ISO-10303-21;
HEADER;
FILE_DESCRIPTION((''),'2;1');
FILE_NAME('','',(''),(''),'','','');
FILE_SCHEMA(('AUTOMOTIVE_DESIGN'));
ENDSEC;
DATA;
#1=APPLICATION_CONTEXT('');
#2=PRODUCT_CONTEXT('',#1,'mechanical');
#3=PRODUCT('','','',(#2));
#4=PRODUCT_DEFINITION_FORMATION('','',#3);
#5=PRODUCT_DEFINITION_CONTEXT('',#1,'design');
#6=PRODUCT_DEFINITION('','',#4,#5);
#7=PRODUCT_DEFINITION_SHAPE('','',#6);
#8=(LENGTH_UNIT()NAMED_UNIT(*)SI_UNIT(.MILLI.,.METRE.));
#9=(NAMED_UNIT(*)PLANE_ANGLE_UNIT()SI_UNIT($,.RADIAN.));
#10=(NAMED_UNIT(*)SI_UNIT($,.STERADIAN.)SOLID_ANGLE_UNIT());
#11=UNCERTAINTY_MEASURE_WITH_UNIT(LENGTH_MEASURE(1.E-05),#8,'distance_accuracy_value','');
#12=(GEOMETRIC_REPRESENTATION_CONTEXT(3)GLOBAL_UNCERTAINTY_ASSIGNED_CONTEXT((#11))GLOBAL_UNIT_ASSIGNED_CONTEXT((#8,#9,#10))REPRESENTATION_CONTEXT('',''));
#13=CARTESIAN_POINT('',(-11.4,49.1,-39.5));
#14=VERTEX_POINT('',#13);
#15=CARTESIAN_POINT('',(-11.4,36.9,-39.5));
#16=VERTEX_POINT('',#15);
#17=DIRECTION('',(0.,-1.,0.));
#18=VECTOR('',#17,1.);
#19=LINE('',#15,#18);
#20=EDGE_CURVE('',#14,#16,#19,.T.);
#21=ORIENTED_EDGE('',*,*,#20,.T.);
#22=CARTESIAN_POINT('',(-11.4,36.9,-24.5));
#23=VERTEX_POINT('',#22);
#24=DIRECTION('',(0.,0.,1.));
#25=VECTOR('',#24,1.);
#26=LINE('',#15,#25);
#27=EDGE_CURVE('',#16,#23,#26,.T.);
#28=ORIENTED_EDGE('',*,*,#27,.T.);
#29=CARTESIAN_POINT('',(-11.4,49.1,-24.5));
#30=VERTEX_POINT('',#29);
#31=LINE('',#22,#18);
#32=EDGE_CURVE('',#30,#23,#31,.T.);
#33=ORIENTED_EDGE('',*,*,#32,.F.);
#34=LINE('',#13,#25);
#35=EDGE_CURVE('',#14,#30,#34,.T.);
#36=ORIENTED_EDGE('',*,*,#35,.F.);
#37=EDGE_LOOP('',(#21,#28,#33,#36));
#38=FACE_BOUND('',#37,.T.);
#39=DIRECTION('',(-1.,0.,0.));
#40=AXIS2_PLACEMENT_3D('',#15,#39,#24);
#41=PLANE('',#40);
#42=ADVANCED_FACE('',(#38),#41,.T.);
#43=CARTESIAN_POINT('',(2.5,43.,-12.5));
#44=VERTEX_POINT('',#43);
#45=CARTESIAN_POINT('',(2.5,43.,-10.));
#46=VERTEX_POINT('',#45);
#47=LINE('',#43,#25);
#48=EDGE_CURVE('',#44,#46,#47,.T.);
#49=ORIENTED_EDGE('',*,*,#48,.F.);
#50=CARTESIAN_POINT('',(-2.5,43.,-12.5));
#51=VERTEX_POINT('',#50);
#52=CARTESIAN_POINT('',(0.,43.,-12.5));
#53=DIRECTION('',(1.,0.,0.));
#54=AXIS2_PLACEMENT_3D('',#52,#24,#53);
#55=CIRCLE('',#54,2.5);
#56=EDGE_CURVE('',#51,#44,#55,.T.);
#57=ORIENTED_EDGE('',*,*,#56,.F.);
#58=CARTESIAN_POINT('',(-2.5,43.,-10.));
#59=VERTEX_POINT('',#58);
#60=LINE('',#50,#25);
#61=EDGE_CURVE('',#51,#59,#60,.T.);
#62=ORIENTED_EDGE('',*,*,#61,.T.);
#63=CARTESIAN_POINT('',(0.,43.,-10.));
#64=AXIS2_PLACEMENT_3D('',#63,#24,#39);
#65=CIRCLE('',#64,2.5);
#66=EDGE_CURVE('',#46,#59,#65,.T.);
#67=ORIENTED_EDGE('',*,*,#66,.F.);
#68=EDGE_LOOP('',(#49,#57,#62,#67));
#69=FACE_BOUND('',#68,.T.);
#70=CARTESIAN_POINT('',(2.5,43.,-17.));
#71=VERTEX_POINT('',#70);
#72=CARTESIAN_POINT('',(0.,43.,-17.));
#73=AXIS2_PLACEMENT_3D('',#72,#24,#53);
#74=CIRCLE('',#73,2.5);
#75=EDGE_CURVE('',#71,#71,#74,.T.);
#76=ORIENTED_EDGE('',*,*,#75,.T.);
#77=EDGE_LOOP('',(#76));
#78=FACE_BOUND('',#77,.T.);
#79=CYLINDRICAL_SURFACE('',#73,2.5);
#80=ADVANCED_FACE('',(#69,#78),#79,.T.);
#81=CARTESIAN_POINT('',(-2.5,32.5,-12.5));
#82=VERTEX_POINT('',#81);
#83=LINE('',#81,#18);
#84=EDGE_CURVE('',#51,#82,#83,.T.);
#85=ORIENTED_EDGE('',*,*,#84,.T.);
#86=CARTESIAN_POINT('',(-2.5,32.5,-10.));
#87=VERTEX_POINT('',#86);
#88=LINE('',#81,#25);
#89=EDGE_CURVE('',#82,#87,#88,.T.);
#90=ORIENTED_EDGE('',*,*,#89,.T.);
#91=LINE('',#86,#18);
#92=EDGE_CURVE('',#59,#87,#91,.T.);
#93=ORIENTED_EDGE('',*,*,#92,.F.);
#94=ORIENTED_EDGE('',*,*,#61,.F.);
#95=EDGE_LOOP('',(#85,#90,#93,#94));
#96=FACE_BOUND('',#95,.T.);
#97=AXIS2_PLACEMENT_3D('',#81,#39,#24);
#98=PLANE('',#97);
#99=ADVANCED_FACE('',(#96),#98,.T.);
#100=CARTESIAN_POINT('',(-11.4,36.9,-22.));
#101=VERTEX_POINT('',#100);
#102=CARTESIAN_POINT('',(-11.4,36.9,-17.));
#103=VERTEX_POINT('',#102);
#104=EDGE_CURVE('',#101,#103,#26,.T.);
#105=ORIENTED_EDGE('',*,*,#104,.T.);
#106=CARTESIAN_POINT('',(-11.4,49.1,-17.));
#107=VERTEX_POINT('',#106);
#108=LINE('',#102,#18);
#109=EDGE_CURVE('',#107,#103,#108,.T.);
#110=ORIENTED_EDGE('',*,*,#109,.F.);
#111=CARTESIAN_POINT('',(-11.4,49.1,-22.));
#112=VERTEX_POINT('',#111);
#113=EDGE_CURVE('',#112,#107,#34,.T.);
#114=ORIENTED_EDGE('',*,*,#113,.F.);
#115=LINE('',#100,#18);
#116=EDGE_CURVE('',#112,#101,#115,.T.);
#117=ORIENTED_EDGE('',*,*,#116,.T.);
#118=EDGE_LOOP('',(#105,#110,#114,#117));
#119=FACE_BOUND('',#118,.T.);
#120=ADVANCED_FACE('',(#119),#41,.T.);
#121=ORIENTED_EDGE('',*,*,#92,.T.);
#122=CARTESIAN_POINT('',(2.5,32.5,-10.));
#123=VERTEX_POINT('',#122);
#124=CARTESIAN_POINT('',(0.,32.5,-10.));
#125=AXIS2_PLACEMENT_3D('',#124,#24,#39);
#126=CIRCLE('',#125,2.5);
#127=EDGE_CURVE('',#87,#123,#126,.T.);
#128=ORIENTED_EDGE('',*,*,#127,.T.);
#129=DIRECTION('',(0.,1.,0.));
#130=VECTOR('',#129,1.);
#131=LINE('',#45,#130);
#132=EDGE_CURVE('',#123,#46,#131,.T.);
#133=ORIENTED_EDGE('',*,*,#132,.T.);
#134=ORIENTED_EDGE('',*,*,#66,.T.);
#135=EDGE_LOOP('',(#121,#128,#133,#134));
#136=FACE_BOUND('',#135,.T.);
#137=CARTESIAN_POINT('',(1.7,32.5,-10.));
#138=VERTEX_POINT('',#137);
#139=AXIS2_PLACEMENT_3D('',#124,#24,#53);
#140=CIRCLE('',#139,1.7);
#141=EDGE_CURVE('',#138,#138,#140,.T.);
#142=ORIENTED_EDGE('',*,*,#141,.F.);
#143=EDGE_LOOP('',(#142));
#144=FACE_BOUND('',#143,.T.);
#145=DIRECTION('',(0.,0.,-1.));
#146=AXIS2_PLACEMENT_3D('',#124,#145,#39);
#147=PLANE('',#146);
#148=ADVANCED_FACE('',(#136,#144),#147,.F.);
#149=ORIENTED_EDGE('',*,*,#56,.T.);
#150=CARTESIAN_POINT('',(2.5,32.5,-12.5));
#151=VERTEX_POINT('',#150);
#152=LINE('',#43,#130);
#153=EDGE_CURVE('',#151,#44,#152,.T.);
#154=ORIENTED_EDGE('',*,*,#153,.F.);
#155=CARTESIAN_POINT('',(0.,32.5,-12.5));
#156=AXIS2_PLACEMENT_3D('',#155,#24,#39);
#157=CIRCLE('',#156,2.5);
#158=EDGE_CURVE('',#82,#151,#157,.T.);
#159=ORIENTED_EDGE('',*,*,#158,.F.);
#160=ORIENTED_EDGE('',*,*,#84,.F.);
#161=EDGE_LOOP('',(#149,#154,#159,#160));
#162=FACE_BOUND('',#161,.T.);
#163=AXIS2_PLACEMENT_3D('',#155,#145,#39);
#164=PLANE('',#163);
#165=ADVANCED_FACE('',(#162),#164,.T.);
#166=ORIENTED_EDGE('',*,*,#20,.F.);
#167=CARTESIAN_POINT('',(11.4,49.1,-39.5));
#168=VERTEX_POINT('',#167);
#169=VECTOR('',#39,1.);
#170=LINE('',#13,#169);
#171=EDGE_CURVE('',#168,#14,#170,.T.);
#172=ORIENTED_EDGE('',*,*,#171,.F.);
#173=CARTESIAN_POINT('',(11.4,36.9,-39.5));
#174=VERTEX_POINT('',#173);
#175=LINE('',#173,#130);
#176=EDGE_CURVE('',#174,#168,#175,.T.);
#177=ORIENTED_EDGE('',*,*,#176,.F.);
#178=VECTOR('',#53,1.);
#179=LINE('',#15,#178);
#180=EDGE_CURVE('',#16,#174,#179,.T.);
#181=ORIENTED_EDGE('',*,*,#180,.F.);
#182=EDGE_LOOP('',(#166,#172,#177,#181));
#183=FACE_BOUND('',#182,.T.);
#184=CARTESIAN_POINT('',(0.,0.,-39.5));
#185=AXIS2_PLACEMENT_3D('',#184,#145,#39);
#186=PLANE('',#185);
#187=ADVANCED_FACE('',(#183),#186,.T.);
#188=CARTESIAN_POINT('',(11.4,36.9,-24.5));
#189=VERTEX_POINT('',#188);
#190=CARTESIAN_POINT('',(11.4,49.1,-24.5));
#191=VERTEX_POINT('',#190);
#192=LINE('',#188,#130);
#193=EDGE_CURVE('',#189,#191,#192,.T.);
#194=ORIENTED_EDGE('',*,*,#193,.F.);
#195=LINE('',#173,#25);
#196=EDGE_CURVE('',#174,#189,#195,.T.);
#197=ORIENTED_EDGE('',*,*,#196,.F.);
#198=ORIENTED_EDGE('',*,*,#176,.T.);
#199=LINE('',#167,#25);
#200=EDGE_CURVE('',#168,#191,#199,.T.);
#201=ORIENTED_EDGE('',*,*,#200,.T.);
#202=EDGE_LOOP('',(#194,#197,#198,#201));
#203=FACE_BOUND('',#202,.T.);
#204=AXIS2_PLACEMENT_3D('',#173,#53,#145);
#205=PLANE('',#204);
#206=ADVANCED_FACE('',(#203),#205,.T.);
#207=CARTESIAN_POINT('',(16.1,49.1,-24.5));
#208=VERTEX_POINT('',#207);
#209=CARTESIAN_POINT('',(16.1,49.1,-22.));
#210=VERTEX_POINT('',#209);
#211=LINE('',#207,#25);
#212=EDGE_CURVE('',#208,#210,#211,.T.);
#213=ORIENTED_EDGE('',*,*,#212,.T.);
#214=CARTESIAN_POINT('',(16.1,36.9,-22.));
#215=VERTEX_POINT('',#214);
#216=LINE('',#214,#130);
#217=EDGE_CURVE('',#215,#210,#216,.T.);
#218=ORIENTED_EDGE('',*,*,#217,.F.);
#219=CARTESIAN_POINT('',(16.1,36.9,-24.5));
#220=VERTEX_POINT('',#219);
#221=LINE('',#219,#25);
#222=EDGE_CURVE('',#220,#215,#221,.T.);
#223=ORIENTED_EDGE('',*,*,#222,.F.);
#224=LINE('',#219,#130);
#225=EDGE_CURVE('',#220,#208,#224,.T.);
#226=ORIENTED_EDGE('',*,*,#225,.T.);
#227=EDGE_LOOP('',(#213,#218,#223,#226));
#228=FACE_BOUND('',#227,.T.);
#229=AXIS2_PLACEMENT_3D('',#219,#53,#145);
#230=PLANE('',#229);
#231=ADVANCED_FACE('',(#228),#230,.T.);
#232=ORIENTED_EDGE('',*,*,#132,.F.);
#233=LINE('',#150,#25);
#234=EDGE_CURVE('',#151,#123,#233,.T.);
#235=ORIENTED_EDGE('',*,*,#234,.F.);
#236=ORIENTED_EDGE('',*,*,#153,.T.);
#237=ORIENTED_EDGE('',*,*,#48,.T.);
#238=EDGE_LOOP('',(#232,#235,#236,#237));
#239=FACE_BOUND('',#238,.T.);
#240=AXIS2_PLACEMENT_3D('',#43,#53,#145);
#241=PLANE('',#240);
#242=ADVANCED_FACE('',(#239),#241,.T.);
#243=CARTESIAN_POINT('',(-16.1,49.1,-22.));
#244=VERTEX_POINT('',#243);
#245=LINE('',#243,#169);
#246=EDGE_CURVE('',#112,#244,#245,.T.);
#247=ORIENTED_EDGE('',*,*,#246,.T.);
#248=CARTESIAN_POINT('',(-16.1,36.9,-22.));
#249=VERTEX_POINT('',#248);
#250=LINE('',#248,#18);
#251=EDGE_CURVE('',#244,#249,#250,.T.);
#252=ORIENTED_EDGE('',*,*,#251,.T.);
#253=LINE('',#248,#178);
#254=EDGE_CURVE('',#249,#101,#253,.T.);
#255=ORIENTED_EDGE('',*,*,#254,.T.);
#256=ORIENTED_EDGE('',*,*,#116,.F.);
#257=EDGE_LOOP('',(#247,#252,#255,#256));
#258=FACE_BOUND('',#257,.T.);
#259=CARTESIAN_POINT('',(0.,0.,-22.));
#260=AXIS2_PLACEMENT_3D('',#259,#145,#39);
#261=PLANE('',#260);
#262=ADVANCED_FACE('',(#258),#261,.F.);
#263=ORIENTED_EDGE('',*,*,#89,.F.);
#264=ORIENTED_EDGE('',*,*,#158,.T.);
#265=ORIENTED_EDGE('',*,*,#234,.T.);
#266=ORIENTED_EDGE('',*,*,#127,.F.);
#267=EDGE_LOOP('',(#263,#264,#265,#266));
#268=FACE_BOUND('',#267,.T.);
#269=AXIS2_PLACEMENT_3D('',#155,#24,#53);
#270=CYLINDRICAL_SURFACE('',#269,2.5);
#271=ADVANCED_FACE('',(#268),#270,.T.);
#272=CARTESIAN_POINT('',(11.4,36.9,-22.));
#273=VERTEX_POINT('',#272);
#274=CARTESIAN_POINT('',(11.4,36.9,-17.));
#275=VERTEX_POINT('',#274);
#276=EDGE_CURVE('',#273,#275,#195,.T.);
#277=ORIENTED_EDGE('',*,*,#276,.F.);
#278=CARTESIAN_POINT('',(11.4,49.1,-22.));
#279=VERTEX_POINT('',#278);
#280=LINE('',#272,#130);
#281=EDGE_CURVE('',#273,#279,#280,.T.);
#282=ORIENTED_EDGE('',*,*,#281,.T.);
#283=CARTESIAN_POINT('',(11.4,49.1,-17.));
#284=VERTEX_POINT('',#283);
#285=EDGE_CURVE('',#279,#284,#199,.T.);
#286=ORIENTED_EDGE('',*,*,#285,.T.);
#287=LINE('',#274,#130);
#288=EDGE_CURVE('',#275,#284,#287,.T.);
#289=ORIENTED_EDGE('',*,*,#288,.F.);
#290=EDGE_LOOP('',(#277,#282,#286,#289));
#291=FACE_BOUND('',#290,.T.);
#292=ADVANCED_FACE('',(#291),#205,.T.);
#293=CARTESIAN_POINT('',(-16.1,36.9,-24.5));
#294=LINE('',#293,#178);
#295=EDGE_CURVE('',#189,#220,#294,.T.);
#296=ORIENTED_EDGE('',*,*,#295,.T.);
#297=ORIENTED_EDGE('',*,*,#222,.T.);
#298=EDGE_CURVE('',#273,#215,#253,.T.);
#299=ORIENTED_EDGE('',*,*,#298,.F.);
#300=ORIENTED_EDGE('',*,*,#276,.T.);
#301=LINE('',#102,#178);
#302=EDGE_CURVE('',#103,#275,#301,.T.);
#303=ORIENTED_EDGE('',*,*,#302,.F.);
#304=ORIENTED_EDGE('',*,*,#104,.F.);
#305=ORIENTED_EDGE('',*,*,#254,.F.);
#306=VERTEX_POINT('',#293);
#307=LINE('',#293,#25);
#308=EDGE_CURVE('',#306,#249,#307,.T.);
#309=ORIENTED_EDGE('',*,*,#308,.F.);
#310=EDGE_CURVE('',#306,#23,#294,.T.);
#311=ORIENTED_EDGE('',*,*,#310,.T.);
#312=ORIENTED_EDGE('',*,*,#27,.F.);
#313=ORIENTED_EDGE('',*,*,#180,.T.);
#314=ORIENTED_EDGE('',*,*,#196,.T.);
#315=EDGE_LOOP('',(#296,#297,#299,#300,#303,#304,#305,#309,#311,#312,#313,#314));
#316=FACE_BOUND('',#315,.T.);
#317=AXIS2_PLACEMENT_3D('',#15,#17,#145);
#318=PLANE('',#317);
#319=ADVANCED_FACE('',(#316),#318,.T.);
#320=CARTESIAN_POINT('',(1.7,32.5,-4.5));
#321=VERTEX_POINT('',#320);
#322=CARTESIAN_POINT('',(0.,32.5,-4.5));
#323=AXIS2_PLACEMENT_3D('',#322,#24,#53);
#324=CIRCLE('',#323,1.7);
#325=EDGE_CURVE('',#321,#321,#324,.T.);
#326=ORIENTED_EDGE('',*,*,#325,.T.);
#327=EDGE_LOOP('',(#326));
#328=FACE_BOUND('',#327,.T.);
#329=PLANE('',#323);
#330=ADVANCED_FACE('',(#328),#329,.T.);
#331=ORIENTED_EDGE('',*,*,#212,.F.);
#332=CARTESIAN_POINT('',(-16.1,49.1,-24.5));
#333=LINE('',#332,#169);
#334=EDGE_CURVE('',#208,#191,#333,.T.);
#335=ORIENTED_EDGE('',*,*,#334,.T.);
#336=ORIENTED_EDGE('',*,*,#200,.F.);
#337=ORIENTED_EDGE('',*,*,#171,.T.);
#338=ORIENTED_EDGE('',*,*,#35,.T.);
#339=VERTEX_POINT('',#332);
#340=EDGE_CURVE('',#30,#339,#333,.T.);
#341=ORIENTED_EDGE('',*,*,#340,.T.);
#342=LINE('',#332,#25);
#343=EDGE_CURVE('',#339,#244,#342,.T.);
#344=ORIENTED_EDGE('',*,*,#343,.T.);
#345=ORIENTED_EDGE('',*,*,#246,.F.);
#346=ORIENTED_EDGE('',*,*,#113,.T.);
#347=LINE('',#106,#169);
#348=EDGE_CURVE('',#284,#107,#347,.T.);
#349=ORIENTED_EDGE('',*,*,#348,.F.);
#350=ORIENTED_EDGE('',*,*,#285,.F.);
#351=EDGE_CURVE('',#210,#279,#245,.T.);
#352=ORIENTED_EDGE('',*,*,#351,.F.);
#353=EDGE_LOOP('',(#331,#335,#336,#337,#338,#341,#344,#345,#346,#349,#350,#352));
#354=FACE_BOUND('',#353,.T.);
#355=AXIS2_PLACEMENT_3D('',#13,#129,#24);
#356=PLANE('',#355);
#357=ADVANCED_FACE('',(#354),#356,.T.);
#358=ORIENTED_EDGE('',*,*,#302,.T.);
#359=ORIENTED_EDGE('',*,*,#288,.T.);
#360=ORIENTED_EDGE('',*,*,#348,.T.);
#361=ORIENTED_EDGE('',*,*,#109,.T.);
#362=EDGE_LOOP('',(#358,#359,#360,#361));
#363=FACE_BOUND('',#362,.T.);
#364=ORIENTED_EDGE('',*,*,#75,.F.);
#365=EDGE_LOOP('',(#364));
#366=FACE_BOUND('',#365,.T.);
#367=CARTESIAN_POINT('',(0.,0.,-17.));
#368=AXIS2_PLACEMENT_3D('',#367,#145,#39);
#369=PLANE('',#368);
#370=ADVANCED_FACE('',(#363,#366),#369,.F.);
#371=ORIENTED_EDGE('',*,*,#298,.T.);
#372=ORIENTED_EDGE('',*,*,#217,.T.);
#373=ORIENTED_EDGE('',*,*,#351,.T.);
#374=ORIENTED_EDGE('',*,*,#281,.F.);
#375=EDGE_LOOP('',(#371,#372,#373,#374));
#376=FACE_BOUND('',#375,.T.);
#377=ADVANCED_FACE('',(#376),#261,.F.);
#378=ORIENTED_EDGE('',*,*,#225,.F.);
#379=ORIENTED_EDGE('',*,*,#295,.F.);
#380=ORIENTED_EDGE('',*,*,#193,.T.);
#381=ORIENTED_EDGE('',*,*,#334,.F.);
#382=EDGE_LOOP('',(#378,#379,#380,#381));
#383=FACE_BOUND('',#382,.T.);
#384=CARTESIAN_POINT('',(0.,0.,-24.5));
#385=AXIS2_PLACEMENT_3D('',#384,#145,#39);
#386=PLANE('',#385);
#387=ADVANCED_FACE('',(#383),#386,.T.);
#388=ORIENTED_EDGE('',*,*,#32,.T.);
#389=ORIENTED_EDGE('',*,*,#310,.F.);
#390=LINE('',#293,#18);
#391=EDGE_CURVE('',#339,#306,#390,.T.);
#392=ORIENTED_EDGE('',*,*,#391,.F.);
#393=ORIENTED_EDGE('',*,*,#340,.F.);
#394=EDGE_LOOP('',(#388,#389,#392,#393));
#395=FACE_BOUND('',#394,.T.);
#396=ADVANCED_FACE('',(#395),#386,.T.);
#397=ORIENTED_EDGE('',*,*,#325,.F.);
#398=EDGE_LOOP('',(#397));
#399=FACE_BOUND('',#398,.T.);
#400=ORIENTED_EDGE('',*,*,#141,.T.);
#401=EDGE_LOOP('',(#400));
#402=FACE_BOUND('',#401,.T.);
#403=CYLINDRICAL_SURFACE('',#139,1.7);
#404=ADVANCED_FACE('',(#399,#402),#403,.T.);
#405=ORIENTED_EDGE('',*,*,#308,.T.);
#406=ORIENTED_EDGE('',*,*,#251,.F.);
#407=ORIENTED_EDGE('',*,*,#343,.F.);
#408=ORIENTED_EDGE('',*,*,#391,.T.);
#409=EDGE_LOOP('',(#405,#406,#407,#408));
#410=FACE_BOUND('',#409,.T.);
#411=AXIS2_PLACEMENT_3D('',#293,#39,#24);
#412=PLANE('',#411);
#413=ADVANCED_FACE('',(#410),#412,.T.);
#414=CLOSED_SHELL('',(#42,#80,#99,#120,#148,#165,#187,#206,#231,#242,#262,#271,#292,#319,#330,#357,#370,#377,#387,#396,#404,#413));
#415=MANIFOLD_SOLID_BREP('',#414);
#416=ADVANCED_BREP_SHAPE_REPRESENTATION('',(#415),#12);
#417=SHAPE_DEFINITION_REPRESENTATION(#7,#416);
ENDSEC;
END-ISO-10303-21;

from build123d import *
from build123d.topology import SkipClean

# Parameters (mm, degrees)
CORPS_SG90_START               = -17
ESQUISSE1_W                    = 22.8
ESQUISSE1_H                    = 12.2
CORPS_SG90_DEPTH               = 22.5
PATTES_FIXATION_START          = -22
ESQUISSE2_W                    = 32.2
ESQUISSE2_H                    = 12.2
PATTES_FIXATION_DEPTH          = 2.5
AXE_SERVO_START                = -12.5
ESQUISSE3_R                    = 2.5
AXE_SERVO_DEPTH                = 4.5
PALONNIER_POINT_MORT_BAS_START = -10
PALONNIER_POINT_MORT_BAS_DEPTH = 2.5
ERGOT_ENTRAINEMENT_START       = -4.5
ESQUISSE5_R                    = 1.7
ERGOT_ENTRAINEMENT_DEPTH       = 5.5


with BuildPart() as part:
    # Esquisse1 → Corps_SG90 (new body)
    with BuildSketch(Plane.XY.offset(CORPS_SG90_START)):
        with Locations((0, 43)):
            Rectangle(ESQUISSE1_W, ESQUISSE1_H)
    extrude(amount=-CORPS_SG90_DEPTH)

    # Esquisse2 → Pattes_fixation (add)
    with BuildSketch(Plane.XY.offset(PATTES_FIXATION_START)):
        with Locations((0, 43)):
            Rectangle(ESQUISSE2_W, ESQUISSE2_H)
    extrude(amount=-PATTES_FIXATION_DEPTH)

    # Esquisse3 → Axe_servo (add)
    with BuildSketch(Plane.XY.offset(AXE_SERVO_START)):
        with Locations((0, 43)):
            Circle(ESQUISSE3_R)
    extrude(amount=-AXE_SERVO_DEPTH)

    # Esquisse4 → Palonnier_point_mort_bas (add)
    with SkipClean():  # the faces are left unmerged after this step: merging them gives an invalid solid
        with BuildSketch(Plane.XY.offset(PALONNIER_POINT_MORT_BAS_START)):
            with BuildLine():
                Line((-2.5, 32.5), (-2.5, 43))
                ThreePointArc((-2.5, 43), (0, 45.5), (2.5, 43))
                Line((2.5, 43), (2.5, 32.5))
                ThreePointArc((2.5, 32.5), (0, 30), (-2.5, 32.5))
            make_face()
        extrude(amount=-PALONNIER_POINT_MORT_BAS_DEPTH)

    # Esquisse5 → Ergot_entrainement (add)
    with SkipClean():  # the faces are left unmerged after this step: merging them gives an invalid solid
        with BuildSketch(Plane.XY.offset(ERGOT_ENTRAINEMENT_START)):
            with Locations((0, 32.5)):
                Circle(ESQUISSE5_R)
        extrude(amount=-ERGOT_ENTRAINEMENT_DEPTH)


solid = part.part
